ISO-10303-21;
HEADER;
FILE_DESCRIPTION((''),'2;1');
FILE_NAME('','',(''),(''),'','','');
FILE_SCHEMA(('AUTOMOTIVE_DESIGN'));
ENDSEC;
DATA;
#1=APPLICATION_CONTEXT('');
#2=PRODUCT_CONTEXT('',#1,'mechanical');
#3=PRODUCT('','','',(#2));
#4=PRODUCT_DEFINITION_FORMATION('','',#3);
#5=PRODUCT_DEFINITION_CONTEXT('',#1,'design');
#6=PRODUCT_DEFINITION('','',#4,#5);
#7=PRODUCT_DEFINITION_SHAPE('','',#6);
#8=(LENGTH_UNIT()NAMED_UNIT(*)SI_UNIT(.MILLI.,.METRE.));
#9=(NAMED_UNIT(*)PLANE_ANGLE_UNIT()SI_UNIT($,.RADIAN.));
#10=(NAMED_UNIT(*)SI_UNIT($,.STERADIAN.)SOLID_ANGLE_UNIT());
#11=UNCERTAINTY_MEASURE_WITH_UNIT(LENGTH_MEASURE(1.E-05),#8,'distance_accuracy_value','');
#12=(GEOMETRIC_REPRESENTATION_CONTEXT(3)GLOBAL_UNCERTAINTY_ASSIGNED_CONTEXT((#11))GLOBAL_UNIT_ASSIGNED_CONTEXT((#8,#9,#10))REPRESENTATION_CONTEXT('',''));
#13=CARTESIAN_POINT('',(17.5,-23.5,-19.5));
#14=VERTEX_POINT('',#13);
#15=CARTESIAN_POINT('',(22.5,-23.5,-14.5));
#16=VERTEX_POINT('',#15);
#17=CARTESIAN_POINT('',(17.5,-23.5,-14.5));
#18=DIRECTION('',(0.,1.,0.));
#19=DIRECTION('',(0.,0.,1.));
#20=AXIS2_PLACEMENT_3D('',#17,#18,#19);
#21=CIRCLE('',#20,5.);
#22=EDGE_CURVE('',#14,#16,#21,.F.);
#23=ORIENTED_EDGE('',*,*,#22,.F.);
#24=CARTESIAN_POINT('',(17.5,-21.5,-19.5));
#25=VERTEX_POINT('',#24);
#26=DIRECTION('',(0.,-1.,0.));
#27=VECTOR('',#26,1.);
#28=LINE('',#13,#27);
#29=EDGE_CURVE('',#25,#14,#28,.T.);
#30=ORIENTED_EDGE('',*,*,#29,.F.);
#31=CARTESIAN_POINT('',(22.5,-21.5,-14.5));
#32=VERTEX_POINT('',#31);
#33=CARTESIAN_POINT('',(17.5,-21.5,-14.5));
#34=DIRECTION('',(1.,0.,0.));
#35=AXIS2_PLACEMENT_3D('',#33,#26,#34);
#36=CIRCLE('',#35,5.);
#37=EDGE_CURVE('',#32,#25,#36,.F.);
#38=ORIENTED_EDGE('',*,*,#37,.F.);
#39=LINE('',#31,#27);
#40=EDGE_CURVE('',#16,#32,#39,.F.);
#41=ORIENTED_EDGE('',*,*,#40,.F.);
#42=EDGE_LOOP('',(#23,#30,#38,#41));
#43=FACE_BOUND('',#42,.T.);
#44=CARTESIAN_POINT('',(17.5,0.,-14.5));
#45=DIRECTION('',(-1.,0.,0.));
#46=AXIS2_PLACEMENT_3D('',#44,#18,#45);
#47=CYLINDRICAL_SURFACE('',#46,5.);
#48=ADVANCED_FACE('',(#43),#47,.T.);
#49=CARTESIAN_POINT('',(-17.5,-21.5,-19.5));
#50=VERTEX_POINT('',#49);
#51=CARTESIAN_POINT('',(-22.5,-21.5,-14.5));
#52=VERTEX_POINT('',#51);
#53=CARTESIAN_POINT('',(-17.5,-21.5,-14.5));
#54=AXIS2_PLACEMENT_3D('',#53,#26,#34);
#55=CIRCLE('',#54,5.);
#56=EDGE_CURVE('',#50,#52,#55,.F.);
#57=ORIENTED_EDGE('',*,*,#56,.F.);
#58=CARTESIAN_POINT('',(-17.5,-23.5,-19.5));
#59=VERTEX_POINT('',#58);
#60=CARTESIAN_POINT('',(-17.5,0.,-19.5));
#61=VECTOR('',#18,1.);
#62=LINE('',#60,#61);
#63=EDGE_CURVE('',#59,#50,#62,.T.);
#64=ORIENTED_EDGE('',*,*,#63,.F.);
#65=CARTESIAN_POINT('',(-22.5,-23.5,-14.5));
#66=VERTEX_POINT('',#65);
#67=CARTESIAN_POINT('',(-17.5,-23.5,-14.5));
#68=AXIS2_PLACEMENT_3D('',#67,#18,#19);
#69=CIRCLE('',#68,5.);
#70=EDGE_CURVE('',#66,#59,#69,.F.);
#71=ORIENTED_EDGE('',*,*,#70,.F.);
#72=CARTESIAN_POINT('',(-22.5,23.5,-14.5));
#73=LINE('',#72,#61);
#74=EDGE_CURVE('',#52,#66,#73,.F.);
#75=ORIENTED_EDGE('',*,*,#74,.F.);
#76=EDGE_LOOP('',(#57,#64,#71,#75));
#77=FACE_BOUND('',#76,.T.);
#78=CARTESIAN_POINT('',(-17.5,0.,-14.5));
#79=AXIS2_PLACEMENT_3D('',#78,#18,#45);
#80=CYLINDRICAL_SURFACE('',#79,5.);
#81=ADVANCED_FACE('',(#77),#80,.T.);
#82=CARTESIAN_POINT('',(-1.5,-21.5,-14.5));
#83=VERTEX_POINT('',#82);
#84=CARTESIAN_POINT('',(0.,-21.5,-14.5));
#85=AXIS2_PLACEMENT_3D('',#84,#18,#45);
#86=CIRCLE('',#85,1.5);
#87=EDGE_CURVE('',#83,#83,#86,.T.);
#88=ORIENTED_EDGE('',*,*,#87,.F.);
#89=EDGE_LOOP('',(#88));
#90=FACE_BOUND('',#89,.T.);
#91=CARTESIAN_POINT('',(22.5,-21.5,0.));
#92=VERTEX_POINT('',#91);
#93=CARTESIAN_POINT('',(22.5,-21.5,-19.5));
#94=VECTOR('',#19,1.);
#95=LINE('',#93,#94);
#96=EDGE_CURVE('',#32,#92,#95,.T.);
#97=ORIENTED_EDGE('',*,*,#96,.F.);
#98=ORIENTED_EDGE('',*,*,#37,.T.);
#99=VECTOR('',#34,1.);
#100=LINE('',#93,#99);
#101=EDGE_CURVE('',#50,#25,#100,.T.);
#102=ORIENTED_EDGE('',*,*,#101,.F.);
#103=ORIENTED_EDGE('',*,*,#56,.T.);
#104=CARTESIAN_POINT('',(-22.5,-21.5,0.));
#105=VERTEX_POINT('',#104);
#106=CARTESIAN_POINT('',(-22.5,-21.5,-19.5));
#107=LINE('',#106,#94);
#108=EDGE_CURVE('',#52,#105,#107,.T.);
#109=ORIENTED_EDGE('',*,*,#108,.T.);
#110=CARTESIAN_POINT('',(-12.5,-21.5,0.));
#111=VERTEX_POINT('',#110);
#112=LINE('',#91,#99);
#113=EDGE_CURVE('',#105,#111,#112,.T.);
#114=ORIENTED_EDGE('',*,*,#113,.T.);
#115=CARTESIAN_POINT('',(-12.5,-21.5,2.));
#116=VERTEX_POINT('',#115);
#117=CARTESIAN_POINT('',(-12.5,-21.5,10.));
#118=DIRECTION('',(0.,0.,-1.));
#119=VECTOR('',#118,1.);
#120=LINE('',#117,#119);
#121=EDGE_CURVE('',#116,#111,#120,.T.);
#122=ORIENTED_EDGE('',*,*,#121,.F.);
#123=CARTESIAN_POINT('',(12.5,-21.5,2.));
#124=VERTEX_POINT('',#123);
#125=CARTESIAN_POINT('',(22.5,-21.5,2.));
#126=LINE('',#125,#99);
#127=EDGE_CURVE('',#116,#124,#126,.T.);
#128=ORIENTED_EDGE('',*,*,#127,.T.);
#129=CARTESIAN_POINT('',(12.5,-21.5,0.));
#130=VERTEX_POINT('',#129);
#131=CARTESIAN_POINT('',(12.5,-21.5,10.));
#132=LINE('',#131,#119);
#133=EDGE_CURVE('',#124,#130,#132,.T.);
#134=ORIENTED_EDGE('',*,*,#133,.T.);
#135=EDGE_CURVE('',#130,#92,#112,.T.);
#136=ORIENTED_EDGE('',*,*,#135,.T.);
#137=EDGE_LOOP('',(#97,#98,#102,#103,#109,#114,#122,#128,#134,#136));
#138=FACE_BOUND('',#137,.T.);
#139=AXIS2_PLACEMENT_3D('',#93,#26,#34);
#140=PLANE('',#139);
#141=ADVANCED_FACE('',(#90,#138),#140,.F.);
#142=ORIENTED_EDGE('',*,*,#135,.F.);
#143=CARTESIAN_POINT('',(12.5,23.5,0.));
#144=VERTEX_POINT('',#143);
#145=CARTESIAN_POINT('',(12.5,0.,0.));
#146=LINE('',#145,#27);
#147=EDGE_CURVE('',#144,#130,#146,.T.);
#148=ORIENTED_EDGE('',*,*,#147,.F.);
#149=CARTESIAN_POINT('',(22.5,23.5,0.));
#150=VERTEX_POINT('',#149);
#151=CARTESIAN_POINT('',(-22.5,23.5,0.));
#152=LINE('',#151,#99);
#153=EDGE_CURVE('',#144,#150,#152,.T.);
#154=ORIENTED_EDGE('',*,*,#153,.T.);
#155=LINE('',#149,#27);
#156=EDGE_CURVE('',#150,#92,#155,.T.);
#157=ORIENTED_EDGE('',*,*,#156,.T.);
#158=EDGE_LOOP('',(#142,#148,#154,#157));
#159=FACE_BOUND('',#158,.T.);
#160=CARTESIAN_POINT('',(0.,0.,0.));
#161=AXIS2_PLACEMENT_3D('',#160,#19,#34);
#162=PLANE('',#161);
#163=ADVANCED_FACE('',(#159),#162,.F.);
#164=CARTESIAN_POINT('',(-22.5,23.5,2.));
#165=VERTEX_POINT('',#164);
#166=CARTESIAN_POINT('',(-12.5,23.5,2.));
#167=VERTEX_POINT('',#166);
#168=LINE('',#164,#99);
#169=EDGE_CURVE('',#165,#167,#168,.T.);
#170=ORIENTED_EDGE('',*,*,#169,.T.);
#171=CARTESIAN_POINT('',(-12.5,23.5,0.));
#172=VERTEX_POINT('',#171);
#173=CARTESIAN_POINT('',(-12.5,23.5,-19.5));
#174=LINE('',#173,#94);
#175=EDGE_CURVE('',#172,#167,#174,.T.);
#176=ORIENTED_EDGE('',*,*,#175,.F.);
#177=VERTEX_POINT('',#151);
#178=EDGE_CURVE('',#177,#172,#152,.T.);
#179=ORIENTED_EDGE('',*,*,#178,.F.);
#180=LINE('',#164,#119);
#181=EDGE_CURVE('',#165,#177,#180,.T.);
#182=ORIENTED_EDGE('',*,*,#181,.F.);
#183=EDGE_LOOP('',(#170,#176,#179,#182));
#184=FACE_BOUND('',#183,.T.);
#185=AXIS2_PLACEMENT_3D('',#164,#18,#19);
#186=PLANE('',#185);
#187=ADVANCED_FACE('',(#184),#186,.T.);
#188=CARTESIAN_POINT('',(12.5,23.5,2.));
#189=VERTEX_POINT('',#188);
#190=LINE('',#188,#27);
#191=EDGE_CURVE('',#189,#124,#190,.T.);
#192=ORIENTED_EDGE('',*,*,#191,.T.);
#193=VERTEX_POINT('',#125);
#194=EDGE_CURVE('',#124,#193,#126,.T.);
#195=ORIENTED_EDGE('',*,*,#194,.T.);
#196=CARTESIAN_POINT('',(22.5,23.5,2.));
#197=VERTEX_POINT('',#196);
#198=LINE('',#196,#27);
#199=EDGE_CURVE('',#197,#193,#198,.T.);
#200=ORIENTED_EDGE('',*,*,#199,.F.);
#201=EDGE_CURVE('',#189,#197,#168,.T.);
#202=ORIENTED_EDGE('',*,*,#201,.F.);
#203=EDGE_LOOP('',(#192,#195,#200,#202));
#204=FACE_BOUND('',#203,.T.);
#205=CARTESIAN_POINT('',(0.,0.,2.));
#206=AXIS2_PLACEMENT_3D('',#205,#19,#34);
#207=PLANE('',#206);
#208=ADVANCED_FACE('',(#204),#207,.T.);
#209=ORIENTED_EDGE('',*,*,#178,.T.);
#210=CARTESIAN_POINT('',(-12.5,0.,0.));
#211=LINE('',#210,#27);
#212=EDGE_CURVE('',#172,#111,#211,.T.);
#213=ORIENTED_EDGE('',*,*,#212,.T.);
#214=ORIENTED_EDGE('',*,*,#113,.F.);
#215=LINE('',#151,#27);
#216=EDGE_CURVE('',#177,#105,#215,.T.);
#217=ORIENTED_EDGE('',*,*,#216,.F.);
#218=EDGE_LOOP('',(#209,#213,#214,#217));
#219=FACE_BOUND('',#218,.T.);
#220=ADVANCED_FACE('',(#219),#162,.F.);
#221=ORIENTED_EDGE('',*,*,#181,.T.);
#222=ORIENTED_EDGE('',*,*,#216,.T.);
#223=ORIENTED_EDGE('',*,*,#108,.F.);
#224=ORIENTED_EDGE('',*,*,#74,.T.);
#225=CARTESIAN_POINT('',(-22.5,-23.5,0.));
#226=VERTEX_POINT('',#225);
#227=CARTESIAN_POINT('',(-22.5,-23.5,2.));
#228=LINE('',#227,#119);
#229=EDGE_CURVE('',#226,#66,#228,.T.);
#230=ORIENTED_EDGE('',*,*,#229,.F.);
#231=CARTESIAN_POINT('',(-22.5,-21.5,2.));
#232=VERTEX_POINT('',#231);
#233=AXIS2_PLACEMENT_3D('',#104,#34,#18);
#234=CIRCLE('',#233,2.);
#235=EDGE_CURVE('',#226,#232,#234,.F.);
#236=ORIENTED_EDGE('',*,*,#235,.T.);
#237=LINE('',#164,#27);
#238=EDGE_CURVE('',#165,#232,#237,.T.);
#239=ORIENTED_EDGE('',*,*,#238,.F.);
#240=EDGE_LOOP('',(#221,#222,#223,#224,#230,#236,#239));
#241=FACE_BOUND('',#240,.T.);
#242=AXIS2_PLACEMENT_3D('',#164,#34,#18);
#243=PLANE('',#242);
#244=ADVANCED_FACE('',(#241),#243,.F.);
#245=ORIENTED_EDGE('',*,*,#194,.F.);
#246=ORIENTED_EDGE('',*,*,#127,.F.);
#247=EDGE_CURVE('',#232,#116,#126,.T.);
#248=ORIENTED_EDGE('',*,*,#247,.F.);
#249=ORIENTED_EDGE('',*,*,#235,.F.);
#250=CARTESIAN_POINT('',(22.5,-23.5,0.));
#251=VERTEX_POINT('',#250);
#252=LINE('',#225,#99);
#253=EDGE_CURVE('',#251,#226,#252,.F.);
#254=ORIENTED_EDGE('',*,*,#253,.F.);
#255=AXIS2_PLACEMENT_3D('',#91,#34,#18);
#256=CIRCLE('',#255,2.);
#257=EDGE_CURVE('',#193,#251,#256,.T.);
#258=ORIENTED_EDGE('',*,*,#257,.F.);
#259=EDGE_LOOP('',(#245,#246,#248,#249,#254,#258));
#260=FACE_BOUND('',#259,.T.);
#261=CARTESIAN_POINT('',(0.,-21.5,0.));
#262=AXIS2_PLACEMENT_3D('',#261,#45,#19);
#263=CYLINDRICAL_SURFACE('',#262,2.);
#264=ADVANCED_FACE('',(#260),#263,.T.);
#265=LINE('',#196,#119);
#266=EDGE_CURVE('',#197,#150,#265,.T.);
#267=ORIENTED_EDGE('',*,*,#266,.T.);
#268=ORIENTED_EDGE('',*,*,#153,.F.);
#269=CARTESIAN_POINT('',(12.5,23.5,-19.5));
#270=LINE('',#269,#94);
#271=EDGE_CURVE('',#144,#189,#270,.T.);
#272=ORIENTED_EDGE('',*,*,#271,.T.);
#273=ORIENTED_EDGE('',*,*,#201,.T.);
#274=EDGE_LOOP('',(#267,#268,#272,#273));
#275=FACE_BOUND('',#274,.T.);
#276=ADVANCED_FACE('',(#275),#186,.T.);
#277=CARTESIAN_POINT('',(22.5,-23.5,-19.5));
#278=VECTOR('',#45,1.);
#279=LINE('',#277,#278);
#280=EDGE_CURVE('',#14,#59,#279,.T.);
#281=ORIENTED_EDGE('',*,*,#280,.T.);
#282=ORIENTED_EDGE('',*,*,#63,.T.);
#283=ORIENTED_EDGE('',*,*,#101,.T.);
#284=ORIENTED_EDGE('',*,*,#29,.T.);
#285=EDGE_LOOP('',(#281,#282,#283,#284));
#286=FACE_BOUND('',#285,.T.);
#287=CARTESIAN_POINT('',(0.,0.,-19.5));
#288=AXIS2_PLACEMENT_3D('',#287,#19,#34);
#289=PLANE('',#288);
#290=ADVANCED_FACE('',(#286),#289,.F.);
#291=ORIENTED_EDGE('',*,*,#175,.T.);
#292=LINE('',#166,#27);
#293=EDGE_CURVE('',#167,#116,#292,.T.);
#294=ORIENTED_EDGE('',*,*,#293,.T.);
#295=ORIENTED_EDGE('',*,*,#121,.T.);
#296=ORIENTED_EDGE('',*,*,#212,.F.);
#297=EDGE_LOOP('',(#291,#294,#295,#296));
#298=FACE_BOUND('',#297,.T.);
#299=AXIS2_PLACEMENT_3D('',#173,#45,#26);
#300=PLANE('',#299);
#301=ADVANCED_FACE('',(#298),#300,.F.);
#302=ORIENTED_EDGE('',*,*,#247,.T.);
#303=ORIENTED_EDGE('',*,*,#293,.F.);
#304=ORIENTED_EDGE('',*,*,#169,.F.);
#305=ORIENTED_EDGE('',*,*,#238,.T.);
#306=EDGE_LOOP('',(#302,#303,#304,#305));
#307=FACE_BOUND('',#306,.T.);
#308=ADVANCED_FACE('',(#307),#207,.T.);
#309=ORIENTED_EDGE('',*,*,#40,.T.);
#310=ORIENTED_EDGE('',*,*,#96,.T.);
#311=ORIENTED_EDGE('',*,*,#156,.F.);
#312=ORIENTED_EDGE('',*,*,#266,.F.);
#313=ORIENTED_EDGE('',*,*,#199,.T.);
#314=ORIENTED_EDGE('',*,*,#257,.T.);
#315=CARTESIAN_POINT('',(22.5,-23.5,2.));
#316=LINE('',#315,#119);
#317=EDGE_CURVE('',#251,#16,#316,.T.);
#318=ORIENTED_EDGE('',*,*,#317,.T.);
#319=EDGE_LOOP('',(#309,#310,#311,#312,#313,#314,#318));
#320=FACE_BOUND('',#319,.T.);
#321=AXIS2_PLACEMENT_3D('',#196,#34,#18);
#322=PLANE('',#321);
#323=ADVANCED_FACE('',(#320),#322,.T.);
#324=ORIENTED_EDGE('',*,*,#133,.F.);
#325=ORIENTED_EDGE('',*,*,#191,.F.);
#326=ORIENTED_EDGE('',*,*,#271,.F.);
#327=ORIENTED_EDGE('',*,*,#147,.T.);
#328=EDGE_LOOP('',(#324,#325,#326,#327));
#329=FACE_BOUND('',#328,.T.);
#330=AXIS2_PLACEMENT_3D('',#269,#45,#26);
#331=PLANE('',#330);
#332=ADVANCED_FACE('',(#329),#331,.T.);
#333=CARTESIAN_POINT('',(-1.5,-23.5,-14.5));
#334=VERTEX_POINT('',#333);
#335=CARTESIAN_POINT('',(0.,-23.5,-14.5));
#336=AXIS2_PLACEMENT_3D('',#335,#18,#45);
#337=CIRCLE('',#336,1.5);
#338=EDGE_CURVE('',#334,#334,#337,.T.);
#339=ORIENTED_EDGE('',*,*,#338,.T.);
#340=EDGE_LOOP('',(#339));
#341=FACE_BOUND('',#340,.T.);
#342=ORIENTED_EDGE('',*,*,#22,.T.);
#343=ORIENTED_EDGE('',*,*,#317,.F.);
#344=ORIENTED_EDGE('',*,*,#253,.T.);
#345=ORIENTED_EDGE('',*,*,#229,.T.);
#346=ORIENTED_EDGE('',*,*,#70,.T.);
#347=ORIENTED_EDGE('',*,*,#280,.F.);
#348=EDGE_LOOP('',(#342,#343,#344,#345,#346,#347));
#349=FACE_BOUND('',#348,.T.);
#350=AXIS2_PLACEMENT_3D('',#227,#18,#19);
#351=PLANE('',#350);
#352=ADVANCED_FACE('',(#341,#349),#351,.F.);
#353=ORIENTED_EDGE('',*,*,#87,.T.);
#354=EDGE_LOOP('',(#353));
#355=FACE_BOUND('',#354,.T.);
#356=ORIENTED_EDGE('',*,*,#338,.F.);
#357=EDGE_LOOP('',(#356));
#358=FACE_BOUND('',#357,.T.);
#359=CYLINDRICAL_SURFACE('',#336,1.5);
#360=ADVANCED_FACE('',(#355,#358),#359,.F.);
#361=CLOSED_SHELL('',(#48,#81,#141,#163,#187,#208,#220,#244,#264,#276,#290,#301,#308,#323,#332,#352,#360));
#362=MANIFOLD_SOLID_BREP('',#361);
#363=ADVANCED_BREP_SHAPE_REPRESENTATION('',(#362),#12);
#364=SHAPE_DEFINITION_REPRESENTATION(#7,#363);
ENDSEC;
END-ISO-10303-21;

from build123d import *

# Parameters (mm, degrees)
SKETCH1_W           = 45
SKETCH1_H           = 47
BOSS_EXTRUDE1_DEPTH = 2
SKETCH2_W           = 45
SKETCH2_H           = 2
BOSS_EXTRUDE2_DEPTH = 19.5
FILLET1_R           = 2
FILLET2_R           = 5
SKETCH3_W           = 25
SKETCH3_H           = 22.5
CUT_EXTRUDE1_DEPTH  = 39.99679474
SKETCH4_R           = 1.5
CUT_EXTRUDE2_DEPTH  = 54.958317246
SKETCH5_W           = 25
SKETCH5_H           = 22.5
CUT_EXTRUDE3_DEPTH  = 10


with BuildPart() as part:
    # Sketch1 → Boss-Extrude1 (new body)
    with BuildSketch(Plane.XY):
        Rectangle(SKETCH1_W, SKETCH1_H)
    extrude(amount=BOSS_EXTRUDE1_DEPTH)

    # Sketch2 → Boss-Extrude2 (add)
    with BuildSketch(Plane(origin=(0, 0, 0), x_dir=(-1, 0, 0), z_dir=(0, 0, -1))):
        with Locations((0, -22.5)):
            Rectangle(SKETCH2_W, SKETCH2_H)
    extrude(amount=BOSS_EXTRUDE2_DEPTH)

    # Fillet1
    fillet1_edges = [part.edges().sort_by_distance(p)[0] for p in [
        (0, -23.5, 2),
    ]]
    fillet(fillet1_edges, radius=FILLET1_R)

    # Fillet2
    fillet2_edges = [part.edges().sort_by_distance(p)[0] for p in [
        (22.5, -22.5, -19.5),
        (-22.5, -22.5, -19.5),
    ]]
    fillet(fillet2_edges, radius=FILLET2_R)

    # Sketch3 → Cut-Extrude1 (cut, through all)
    with BuildSketch(Plane.XY.offset(2)):
        with Locations((0, 12.25)):
            Rectangle(SKETCH3_W, SKETCH3_H)
    extrude(amount=-CUT_EXTRUDE1_DEPTH, mode=Mode.SUBTRACT)

    # Sketch4 → Cut-Extrude2 (cut, through all)
    with BuildSketch(Plane(origin=(0, -21.5, 0), x_dir=(1, 0, 0), z_dir=(0, 1, 0))):
        with Locations(Location((0, 14.5, 0), (0, 0, 180))):
            Circle(SKETCH4_R)
    extrude(amount=-CUT_EXTRUDE2_DEPTH, mode=Mode.SUBTRACT)

    # Sketch5 → Cut-Extrude3 (cut)
    with BuildSketch(Plane(origin=(0, 0, 0), x_dir=(-1, 0, 0), z_dir=(0, 0, -1))):
        with Locations((0, -10.25)):
            Rectangle(SKETCH5_W, SKETCH5_H)
    extrude(amount=-CUT_EXTRUDE3_DEPTH, mode=Mode.SUBTRACT)


solid = part.part
